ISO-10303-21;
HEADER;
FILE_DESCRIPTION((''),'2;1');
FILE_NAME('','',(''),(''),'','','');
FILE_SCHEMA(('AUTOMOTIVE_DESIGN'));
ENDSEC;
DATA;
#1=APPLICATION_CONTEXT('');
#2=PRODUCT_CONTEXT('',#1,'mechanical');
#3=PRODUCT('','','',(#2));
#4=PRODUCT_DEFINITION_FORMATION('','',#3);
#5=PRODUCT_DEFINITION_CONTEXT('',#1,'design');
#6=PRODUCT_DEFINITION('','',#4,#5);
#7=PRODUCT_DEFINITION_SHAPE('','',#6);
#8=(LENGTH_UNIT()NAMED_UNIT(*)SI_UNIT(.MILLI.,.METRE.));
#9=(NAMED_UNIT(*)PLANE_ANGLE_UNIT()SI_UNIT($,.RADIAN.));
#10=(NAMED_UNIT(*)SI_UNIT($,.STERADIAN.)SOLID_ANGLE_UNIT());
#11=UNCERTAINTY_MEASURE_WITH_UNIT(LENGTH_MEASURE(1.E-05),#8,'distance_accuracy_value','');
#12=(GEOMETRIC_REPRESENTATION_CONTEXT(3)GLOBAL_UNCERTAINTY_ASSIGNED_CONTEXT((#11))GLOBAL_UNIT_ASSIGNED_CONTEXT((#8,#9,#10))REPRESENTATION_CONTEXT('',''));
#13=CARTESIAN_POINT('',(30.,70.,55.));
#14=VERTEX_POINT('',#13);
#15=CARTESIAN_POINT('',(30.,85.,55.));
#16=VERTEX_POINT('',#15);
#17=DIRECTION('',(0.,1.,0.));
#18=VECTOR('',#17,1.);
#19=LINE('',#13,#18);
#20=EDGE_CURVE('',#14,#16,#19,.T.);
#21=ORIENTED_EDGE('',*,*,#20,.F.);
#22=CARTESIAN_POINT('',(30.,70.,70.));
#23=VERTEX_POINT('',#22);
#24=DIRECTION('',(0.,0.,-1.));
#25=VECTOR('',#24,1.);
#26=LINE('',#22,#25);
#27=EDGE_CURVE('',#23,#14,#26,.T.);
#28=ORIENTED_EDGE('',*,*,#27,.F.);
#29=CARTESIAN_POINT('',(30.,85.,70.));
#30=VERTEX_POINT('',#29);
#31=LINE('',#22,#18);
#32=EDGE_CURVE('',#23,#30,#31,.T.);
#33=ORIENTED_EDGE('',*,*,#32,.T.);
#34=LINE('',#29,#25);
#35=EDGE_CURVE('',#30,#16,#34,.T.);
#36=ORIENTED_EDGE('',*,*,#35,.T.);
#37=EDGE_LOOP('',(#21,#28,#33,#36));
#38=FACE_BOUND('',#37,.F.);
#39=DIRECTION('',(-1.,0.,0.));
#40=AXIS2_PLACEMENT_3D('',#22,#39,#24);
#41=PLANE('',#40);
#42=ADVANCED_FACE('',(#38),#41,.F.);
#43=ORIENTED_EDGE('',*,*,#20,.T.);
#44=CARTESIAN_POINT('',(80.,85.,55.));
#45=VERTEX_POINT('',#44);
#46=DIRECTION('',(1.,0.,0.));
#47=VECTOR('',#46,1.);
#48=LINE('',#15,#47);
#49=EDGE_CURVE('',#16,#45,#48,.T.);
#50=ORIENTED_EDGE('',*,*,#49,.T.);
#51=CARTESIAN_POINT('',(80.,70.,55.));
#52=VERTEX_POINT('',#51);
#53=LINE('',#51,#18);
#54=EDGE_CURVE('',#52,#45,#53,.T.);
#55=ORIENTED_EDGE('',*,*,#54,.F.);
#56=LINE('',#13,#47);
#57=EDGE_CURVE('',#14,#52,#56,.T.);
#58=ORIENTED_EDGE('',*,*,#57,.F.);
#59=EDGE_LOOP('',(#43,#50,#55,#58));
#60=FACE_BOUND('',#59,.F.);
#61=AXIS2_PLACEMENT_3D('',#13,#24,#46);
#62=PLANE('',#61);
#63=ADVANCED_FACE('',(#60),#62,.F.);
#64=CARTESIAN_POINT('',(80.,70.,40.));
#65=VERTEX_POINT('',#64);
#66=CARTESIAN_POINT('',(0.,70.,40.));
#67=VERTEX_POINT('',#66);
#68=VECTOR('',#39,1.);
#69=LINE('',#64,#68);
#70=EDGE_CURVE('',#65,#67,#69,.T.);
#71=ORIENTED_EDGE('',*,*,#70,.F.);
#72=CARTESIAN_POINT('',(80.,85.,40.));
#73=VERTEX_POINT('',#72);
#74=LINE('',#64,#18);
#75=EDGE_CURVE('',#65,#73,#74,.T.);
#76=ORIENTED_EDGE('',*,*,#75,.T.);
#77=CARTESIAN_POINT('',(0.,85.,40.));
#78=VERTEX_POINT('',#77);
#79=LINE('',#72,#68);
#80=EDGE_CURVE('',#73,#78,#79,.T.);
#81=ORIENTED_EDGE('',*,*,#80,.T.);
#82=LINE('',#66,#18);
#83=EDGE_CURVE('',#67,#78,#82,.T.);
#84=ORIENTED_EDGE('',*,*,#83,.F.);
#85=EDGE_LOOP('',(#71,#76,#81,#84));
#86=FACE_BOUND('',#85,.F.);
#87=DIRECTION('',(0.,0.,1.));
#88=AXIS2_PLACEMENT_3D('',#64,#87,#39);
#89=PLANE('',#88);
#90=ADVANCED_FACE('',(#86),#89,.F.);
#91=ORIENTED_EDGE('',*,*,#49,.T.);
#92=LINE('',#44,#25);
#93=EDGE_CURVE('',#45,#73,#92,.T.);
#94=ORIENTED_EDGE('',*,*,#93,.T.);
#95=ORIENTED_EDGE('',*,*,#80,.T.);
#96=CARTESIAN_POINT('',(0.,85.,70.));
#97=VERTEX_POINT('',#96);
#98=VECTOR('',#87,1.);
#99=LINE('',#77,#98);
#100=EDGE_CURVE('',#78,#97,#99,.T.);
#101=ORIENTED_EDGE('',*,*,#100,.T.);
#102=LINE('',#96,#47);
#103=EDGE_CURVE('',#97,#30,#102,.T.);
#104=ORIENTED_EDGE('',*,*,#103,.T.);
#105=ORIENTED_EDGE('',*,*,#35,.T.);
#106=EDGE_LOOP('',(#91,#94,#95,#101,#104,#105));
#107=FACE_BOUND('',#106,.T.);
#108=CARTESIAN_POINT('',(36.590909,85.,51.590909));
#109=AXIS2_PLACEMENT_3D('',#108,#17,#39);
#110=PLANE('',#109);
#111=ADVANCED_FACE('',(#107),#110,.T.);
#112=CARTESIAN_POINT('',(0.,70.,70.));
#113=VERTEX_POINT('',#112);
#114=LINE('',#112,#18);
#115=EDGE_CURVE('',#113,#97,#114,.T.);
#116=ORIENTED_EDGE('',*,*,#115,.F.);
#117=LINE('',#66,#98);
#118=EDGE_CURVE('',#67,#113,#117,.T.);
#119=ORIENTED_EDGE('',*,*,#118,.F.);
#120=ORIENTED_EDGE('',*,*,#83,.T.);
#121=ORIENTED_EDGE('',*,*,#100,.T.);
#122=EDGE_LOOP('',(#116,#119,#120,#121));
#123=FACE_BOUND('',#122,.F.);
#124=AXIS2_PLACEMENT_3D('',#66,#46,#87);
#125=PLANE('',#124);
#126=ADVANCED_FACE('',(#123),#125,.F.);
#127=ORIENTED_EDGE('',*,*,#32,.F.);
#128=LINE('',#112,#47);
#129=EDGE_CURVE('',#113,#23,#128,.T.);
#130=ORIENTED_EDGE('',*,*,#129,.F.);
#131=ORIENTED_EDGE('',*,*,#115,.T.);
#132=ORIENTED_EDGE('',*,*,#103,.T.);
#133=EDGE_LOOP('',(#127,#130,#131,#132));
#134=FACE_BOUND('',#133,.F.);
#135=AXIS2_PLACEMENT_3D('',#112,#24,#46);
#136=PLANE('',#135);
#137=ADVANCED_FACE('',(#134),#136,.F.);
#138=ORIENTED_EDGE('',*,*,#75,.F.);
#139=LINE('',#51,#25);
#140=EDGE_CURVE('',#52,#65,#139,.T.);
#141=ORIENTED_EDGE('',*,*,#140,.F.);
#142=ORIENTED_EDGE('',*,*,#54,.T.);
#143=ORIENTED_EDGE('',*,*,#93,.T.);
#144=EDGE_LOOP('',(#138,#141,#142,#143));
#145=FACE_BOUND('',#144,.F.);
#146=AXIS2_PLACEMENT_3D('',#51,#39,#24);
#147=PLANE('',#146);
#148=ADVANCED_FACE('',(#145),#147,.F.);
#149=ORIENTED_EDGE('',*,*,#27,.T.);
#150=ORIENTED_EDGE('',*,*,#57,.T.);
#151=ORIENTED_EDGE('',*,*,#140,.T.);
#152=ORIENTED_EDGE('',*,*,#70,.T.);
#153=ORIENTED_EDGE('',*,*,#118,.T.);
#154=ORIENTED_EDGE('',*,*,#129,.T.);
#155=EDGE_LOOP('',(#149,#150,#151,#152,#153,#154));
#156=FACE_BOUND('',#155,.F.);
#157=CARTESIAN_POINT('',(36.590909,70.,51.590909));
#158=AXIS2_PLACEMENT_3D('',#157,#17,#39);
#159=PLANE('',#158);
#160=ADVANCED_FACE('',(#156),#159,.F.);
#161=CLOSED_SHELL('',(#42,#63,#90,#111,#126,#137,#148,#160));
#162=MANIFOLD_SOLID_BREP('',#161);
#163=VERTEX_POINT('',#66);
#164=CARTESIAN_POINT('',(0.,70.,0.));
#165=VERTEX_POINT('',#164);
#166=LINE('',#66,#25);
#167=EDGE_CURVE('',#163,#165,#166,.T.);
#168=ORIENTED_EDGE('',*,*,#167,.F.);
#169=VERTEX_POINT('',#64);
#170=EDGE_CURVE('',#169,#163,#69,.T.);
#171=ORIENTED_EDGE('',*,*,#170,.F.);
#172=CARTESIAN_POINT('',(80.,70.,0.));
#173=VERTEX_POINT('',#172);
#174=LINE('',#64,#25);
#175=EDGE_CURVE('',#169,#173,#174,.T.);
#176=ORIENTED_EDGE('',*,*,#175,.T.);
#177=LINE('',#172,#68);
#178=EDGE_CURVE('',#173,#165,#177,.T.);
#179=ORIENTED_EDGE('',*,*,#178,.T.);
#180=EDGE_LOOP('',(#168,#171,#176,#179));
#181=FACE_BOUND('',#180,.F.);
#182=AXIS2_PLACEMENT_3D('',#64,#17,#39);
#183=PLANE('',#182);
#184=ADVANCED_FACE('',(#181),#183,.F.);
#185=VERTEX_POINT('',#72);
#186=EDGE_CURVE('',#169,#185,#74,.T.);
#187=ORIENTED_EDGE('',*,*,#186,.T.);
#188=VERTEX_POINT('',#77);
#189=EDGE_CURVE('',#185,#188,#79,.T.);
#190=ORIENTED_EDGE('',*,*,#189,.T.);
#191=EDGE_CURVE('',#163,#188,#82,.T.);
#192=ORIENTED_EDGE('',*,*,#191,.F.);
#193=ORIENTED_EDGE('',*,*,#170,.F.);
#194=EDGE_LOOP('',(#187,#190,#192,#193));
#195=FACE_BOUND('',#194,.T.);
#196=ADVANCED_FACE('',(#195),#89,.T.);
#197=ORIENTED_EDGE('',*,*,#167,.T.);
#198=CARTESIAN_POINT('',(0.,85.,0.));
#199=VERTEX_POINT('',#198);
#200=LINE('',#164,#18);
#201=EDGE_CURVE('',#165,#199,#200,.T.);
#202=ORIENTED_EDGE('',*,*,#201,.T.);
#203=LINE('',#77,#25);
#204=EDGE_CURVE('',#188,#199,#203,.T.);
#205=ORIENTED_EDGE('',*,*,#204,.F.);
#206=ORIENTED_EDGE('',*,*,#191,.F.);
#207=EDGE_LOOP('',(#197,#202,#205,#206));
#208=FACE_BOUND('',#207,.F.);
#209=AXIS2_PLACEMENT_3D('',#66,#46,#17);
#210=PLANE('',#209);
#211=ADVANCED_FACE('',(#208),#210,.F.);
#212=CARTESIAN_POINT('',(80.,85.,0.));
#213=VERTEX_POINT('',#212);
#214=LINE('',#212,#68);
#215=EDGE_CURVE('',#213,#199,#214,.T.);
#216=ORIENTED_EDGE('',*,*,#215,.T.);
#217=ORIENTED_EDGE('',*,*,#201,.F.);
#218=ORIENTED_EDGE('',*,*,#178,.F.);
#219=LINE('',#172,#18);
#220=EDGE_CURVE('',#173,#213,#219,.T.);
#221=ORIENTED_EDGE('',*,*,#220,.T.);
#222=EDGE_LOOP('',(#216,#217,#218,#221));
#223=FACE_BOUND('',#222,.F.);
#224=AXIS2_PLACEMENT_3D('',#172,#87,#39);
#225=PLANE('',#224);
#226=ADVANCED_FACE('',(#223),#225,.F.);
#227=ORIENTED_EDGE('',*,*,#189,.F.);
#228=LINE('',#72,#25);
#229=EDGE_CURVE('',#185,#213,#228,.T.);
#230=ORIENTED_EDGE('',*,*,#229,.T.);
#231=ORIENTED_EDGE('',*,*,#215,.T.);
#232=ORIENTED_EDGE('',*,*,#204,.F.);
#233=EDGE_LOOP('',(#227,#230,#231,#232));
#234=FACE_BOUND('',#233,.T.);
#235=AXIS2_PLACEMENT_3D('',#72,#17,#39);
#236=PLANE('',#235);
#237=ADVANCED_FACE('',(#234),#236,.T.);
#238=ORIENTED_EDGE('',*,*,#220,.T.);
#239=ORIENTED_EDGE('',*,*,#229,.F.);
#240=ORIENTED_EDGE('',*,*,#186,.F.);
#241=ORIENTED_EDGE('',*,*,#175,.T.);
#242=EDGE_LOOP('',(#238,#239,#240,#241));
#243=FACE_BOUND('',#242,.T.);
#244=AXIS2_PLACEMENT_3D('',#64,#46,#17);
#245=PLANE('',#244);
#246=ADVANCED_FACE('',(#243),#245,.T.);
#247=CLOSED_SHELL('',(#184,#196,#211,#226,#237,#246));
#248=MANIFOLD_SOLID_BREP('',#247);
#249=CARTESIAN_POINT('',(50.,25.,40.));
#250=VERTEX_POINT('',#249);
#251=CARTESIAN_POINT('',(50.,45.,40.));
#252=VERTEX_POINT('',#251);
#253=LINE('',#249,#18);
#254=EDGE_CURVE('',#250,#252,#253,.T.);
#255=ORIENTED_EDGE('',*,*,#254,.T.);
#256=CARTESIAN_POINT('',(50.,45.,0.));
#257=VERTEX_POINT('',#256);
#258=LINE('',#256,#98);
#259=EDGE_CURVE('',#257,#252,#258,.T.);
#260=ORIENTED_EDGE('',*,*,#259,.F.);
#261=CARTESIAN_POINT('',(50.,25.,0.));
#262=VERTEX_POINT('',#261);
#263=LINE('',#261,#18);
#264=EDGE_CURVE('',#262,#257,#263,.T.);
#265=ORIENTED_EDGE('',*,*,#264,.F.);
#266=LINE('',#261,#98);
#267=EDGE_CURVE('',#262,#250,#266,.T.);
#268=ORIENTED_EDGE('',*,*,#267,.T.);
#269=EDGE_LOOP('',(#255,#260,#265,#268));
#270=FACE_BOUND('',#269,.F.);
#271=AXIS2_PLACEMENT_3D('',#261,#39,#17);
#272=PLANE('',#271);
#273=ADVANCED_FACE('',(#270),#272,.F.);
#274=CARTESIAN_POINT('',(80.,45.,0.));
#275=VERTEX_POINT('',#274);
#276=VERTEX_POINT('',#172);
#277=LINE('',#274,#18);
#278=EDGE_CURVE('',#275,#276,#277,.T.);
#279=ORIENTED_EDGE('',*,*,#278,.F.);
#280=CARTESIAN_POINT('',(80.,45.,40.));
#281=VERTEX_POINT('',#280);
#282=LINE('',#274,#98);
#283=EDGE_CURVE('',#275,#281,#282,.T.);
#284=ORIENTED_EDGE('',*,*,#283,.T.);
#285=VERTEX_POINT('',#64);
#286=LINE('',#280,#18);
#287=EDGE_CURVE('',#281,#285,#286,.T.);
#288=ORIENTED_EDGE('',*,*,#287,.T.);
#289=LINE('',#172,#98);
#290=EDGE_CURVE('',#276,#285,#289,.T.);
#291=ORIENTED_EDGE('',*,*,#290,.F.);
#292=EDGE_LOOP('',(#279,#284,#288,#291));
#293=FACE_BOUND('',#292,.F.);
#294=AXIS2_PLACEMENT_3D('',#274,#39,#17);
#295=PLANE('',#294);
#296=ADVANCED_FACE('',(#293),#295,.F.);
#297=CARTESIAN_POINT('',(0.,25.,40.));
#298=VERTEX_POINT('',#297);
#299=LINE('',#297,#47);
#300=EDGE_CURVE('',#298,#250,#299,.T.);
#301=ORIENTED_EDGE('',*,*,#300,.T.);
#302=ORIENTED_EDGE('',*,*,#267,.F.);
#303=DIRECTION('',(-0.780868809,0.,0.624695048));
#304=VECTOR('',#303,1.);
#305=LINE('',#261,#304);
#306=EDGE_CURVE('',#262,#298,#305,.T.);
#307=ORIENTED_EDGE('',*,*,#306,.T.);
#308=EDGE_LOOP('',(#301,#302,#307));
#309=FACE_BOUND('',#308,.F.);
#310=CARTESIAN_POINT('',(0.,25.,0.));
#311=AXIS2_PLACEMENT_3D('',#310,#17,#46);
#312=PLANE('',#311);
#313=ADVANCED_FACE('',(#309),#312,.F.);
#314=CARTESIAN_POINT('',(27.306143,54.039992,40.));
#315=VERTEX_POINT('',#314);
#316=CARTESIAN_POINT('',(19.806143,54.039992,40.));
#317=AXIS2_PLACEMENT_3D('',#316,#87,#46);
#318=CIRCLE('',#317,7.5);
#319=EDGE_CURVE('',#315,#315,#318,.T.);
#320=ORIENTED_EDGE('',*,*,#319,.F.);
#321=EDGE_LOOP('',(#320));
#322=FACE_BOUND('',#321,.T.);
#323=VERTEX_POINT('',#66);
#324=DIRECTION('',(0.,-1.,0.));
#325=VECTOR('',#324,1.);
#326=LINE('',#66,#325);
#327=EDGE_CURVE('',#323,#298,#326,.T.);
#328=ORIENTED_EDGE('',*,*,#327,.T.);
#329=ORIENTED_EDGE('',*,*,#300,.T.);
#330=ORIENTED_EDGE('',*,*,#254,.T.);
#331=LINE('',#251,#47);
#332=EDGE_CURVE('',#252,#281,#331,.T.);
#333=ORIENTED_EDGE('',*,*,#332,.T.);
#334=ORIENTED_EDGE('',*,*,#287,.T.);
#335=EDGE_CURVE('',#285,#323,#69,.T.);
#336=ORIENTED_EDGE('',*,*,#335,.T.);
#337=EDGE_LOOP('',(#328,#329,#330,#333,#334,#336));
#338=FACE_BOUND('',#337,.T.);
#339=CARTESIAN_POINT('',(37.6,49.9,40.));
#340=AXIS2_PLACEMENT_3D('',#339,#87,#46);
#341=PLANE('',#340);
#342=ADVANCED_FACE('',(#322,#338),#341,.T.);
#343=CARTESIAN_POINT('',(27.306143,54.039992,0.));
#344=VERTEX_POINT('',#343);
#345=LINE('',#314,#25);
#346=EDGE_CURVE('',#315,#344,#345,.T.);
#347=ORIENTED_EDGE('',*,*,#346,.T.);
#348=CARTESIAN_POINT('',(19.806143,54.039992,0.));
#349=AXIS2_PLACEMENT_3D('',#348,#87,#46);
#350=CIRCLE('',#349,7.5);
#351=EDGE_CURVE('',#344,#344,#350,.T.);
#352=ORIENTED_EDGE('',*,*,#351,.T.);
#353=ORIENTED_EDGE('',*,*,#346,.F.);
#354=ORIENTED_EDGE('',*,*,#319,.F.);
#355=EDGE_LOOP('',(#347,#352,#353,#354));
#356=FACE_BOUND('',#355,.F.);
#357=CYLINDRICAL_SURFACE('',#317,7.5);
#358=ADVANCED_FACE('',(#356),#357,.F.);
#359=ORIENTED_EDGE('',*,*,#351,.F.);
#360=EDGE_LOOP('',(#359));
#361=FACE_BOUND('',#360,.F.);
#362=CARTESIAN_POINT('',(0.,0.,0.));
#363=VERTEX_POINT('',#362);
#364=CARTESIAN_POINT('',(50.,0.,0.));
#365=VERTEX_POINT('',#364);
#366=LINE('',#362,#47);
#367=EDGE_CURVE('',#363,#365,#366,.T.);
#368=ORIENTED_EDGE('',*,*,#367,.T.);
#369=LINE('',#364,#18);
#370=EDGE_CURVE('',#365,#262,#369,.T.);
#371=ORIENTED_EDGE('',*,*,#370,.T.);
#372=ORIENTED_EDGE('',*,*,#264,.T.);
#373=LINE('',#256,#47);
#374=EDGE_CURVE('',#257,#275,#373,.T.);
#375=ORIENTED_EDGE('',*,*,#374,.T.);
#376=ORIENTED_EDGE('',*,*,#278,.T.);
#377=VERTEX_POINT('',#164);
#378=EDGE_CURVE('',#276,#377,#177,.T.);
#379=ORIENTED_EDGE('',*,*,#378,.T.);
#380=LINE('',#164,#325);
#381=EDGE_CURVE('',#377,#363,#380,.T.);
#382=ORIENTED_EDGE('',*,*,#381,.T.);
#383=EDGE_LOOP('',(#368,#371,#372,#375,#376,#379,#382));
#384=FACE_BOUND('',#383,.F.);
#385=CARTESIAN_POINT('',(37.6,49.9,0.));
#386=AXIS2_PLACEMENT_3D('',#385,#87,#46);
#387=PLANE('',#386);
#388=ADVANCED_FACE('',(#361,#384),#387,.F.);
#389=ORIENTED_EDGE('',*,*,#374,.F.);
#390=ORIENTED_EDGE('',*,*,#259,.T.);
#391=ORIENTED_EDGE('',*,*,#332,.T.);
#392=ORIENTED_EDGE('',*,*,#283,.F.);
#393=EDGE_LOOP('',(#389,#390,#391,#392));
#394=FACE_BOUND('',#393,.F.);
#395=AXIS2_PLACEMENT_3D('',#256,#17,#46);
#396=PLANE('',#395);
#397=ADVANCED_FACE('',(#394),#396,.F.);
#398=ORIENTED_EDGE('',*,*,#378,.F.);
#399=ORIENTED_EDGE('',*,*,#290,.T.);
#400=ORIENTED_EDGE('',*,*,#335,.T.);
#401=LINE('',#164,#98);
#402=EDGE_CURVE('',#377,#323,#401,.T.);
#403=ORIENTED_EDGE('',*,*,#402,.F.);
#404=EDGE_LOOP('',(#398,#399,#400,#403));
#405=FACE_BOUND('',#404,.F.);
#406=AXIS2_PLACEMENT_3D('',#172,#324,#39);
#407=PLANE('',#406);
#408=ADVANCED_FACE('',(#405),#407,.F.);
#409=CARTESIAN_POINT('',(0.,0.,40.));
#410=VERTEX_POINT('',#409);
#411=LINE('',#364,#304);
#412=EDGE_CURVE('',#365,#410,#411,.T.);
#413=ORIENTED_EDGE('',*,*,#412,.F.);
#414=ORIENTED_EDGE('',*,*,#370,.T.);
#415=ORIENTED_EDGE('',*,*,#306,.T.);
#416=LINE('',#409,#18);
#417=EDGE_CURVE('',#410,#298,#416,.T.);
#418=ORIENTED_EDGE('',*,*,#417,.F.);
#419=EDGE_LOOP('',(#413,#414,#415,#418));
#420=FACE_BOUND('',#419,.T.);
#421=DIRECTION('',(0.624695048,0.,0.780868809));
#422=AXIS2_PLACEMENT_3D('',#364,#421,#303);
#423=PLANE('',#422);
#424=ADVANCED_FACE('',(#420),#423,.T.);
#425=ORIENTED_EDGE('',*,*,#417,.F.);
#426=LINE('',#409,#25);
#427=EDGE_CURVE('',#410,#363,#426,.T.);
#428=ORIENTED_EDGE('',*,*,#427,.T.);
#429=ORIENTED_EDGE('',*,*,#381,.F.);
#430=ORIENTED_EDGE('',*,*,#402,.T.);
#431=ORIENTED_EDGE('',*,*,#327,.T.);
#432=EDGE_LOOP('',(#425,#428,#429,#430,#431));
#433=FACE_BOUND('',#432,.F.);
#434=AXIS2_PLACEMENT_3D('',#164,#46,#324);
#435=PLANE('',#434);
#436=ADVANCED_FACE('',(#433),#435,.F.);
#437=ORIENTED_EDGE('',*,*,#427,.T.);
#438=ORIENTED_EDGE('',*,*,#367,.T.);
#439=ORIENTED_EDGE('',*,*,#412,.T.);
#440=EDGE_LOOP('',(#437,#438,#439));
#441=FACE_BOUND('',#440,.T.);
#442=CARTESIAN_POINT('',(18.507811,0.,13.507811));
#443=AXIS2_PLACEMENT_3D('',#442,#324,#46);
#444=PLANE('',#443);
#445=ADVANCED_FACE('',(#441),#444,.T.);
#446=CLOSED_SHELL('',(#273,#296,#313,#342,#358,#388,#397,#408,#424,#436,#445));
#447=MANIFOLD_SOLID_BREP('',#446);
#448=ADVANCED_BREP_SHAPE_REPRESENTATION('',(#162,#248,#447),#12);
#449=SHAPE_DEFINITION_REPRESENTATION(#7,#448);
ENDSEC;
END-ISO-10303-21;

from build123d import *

# Parameters (mm, degrees)
F1_DEPTH = 25
F3_DEPTH = 40
F5_DEPTH = 15
F6_DEPTH = 40
F7_R     = 7.5
F8_DEPTH = 40


with BuildPart() as f1:
    # F0 (on Front) → F1 (new body)
    with BuildSketch(Plane.XZ):
        Polygon((0, 40), (0, 0), (50, 0), align=None)
    extrude(amount=-F1_DEPTH)

    # F2 (on Top) → F3 (join)
    with BuildSketch(Plane.XY):
        Polygon((0, 70), (0, 25), (50, 25), (50, 45), (80, 45), (80, 70), align=None)
    extrude(amount=F3_DEPTH)

    # F7 (on face) → F8 (cut, through all)
    with BuildSketch(Plane.XY.offset(40)):
        with Locations((19.8061428964, 54.0399923921)):
            Circle(F7_R)
    extrude(amount=-F8_DEPTH, mode=Mode.SUBTRACT)


with BuildPart() as f5:
    # F4 (on face) → F5 (new body)
    with BuildSketch(Plane(origin=(0, 70, 0), x_dir=(-1, 0, 0), z_dir=(0, 1, 0))):
        Polygon((-80, 40), (0, 40), (0, 70), (-30, 70), (-30, 55), (-80, 55), align=None)
    extrude(amount=F5_DEPTH)


with BuildPart() as f6:
    # F6 (new): a face of the model
    f6_faces = [f5.part.faces().sort_by_distance(p)[0] for p in [
        (40, 77.5, 40),
    ]]
    extrude(f6_faces, amount=F6_DEPTH)


solid = Compound([f1.part, f5.part, f6.part])
